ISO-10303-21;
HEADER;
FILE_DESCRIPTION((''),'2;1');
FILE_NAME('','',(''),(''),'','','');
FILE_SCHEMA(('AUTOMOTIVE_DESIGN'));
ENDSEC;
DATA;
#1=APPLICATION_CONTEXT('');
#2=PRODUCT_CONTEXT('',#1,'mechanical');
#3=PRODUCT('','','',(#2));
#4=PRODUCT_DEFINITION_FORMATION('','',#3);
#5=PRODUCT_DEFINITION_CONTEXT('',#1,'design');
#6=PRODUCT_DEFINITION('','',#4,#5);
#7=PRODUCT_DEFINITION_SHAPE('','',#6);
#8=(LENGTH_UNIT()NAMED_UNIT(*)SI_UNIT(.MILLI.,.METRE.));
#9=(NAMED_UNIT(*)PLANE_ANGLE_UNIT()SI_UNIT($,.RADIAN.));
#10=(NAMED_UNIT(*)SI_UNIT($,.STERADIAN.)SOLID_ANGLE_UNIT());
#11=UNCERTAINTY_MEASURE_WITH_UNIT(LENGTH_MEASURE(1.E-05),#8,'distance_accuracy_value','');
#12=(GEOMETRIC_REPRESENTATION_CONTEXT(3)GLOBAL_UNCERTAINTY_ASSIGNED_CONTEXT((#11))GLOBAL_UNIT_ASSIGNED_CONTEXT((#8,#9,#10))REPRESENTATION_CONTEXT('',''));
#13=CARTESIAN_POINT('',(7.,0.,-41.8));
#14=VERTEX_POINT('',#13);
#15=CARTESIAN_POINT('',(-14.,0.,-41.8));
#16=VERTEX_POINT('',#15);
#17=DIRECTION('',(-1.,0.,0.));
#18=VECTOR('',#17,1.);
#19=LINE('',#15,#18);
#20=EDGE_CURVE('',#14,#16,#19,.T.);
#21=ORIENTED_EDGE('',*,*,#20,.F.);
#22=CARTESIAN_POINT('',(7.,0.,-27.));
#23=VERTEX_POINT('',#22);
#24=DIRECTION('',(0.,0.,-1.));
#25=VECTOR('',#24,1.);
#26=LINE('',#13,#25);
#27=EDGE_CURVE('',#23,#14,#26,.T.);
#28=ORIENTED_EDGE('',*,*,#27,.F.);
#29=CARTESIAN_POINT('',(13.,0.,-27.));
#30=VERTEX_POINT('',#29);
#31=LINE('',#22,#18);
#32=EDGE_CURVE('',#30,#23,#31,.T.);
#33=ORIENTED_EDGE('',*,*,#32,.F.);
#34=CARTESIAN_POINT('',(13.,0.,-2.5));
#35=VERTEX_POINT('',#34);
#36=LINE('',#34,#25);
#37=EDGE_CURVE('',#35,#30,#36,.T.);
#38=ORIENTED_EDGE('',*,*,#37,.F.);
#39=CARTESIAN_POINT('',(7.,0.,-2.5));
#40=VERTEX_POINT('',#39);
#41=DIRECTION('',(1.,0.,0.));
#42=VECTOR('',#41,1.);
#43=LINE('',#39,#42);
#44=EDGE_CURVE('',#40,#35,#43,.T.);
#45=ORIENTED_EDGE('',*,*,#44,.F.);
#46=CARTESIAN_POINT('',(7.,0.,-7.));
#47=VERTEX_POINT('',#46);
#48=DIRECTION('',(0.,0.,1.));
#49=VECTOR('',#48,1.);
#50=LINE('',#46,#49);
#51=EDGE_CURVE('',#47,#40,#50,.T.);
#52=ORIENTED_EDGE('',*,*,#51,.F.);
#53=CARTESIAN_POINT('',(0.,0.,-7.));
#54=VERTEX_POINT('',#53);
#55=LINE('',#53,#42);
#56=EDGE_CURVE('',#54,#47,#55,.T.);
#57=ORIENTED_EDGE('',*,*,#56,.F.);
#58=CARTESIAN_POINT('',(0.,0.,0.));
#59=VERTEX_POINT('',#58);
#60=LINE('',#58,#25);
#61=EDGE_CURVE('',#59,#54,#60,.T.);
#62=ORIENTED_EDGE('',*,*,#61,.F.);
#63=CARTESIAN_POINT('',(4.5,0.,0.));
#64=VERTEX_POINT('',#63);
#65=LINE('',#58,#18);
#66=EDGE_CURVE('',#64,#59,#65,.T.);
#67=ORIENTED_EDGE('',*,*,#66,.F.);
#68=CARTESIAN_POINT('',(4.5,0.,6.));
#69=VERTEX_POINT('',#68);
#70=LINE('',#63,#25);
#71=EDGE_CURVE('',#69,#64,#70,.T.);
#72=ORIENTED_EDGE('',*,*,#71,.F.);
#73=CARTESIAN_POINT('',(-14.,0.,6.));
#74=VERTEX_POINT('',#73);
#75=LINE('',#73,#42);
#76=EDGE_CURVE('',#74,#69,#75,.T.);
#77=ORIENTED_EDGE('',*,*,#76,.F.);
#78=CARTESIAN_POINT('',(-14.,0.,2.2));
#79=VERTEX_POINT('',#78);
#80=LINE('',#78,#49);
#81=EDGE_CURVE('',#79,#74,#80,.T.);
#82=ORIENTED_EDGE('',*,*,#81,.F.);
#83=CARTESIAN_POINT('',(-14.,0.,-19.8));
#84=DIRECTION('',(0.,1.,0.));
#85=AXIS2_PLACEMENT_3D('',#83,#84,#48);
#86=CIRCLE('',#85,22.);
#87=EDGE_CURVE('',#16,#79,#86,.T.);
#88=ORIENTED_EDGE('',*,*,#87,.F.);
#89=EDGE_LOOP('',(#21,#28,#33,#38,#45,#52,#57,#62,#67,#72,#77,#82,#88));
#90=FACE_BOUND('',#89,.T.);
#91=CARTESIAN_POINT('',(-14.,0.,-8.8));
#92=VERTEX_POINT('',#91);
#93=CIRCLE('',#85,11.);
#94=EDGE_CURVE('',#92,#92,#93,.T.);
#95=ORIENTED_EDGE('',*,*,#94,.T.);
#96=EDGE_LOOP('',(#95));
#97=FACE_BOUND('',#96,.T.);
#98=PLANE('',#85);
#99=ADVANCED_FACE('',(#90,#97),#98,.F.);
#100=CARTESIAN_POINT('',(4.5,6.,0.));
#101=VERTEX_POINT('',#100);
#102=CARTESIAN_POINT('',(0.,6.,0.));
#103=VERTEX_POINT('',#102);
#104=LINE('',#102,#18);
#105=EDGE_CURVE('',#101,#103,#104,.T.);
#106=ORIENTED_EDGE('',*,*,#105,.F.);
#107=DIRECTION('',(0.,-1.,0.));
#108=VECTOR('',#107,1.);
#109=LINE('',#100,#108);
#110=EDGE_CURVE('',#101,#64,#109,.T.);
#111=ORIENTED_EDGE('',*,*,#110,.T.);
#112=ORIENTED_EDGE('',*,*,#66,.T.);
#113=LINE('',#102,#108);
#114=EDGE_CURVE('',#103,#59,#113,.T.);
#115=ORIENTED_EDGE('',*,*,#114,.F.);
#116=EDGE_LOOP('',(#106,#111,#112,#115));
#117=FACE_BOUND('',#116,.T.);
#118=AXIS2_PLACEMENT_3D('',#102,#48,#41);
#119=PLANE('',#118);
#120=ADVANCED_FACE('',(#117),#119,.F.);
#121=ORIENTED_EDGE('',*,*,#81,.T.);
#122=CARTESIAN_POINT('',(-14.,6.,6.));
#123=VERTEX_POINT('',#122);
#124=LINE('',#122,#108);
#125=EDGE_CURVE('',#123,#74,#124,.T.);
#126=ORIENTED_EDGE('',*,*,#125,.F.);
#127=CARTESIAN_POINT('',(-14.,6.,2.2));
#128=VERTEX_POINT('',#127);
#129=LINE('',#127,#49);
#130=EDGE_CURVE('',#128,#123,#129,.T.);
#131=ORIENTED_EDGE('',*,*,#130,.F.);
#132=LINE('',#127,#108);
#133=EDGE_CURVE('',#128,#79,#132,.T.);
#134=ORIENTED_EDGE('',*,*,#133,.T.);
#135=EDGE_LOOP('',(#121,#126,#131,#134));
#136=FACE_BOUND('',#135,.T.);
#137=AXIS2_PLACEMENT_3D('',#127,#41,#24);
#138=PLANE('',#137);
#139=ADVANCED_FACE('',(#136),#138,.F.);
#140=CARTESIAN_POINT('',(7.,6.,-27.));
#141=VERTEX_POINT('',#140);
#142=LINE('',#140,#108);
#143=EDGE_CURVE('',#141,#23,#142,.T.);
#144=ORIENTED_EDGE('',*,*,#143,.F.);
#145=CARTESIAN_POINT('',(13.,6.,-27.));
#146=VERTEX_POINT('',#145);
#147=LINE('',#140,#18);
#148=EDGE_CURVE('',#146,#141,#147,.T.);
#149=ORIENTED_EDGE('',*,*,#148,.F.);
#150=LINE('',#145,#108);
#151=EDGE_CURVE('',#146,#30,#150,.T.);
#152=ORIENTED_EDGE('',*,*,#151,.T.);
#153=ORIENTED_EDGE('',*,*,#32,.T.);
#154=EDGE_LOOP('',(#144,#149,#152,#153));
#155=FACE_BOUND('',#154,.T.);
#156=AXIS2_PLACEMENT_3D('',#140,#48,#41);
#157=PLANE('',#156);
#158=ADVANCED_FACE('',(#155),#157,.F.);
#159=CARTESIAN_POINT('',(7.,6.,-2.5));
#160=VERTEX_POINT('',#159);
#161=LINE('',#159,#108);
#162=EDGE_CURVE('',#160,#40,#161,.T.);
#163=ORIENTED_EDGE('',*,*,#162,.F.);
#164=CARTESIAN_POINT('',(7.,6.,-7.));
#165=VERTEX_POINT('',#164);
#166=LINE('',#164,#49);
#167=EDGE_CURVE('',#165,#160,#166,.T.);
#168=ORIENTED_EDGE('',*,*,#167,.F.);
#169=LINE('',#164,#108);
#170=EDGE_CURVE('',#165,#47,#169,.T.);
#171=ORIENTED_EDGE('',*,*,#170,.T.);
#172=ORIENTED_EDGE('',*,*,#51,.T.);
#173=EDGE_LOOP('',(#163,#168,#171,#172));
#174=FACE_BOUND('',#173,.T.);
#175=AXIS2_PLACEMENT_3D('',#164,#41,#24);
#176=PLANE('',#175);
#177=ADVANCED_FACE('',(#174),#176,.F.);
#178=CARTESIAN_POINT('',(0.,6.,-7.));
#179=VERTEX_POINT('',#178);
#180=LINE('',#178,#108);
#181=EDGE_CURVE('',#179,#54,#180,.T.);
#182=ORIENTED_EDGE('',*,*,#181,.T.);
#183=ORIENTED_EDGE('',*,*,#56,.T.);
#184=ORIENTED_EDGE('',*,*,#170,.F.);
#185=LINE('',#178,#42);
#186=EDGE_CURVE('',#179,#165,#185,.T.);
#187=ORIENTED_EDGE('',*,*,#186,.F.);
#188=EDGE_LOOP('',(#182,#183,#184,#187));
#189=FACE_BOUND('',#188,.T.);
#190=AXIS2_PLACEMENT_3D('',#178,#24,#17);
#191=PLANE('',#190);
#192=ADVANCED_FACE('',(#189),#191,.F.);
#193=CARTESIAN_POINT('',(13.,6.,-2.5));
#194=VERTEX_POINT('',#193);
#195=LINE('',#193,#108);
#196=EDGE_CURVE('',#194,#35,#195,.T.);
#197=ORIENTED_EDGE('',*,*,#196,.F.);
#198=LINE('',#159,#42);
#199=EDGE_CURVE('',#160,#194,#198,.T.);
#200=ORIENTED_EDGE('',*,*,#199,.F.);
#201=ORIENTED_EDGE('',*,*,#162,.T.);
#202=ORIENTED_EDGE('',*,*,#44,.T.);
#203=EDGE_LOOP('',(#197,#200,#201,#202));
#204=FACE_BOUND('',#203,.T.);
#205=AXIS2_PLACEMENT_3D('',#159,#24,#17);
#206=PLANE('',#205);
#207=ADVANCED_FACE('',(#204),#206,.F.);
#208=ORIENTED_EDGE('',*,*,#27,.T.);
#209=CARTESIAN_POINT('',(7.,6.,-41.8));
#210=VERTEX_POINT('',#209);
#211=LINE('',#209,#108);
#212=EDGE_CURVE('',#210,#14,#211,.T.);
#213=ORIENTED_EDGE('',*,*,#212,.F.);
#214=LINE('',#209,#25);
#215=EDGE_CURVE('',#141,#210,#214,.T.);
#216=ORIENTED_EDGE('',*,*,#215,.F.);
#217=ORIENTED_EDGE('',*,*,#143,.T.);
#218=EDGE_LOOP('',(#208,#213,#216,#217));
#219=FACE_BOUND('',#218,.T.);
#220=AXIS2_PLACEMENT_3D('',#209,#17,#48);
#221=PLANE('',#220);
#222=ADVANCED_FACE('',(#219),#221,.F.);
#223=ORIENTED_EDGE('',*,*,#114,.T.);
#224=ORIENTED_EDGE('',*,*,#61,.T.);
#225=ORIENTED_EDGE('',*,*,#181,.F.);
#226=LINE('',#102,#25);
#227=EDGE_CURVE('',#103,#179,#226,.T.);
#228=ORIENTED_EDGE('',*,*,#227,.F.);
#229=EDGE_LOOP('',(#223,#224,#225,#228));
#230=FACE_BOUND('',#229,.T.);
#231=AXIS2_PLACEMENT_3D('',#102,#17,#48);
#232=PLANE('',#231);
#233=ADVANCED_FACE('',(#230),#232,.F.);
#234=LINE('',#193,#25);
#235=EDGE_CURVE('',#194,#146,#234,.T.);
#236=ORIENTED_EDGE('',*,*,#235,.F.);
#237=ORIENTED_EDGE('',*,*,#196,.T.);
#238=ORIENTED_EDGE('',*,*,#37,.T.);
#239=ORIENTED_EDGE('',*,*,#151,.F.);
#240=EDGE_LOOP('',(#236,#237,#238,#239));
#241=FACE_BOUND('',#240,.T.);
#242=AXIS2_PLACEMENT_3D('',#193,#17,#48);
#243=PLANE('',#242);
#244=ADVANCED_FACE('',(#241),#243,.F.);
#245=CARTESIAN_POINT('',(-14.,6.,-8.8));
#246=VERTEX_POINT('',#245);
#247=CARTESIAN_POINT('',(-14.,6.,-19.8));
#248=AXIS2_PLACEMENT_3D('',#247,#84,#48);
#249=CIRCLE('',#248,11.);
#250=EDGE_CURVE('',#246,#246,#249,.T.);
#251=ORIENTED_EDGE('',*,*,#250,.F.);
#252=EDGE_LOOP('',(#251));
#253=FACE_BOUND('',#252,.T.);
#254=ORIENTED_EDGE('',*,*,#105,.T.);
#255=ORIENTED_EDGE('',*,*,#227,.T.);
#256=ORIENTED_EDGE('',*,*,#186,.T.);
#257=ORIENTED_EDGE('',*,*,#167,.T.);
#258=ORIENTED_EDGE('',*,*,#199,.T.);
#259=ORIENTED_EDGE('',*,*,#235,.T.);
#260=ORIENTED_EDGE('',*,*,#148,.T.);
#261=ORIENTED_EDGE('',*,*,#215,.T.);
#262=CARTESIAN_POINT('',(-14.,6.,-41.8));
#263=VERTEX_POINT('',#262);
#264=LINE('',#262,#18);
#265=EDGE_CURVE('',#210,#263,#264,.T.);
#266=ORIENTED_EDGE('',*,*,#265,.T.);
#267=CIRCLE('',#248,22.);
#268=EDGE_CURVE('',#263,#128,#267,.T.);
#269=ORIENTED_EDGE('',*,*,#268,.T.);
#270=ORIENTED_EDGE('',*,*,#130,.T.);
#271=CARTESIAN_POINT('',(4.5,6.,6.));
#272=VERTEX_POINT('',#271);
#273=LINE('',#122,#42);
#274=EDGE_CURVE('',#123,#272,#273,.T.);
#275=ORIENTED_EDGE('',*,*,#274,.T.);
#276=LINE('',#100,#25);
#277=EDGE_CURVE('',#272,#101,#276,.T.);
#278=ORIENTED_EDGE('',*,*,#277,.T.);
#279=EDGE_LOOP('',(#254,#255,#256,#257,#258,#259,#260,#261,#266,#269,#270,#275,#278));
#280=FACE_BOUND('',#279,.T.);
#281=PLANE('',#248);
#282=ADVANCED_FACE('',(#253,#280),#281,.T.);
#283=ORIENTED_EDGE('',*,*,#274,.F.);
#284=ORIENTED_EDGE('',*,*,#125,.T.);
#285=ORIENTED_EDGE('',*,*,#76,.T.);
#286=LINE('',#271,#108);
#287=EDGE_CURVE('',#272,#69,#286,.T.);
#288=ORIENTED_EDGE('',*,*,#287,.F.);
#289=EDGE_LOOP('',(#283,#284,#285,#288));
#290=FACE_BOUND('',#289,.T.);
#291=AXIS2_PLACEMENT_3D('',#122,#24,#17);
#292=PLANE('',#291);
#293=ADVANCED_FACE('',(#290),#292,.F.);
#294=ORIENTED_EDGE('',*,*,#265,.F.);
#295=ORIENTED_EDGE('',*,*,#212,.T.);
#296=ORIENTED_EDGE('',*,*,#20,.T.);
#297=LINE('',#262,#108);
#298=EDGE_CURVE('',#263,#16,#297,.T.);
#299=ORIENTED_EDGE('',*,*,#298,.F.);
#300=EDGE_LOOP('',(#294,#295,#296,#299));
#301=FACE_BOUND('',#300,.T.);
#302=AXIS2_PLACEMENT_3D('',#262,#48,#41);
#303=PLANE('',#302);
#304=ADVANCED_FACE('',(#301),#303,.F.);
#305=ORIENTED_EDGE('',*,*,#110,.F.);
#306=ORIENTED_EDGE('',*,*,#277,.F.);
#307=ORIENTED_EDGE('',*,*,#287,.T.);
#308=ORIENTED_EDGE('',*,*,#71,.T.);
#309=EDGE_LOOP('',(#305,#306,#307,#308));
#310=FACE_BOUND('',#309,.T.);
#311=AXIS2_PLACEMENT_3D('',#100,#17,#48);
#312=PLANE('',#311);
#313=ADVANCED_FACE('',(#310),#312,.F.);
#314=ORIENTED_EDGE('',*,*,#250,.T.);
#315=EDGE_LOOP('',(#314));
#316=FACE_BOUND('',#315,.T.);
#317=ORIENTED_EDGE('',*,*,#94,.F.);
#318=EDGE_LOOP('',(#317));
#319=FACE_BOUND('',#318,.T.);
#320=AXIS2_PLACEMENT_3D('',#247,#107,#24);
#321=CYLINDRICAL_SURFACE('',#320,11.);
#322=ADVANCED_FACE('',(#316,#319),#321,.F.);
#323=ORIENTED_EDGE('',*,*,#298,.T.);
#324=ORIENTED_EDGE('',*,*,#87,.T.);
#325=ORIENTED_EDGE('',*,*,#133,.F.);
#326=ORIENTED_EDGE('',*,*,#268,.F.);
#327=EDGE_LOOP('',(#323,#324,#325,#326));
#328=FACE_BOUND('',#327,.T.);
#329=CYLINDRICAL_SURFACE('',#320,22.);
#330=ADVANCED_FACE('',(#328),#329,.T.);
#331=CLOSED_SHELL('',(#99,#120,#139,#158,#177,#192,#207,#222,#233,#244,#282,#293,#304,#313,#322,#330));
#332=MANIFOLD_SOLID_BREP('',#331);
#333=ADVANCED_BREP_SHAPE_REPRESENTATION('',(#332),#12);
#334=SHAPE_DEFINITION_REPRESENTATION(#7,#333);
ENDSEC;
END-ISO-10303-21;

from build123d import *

# Parameters (mm, degrees)
SKETCH1_R           = 11
BOSS_EXTRUDE1_DEPTH = 6


with BuildPart() as part:
    # Sketch1 → Boss-Extrude1 (new body)
    with BuildSketch(Plane(origin=(0, 0, 0), x_dir=(1, 0, 0), z_dir=(0, 1, 0))):
        with BuildLine():
            Line((0, 0), (0, 7))
            Line((0, 7), (7, 7))
            Line((7, 7), (7, 2.5))
            Line((7, 2.5), (13, 2.5))
            Line((13, 2.5), (13, 27))
            Line((13, 27), (7, 27))
            Line((7, 27), (7, 41.8))
            Line((7, 41.8), (-14, 41.8))
            ThreePointArc((-14, 41.8), (-36, 19.8), (-14, -2.2))
            Line((-14, -2.2), (-14, -6))
            Line((-14, -6), (4.5, -6))
            Line((4.5, -6), (4.5, 0))
            Line((4.5, 0), (0, 0))
        make_face()
        with Locations(Location((-14, 19.8, 0), (0, 0, 270))):
            Circle(SKETCH1_R, mode=Mode.SUBTRACT)
    extrude(amount=BOSS_EXTRUDE1_DEPTH)


solid = part.part
